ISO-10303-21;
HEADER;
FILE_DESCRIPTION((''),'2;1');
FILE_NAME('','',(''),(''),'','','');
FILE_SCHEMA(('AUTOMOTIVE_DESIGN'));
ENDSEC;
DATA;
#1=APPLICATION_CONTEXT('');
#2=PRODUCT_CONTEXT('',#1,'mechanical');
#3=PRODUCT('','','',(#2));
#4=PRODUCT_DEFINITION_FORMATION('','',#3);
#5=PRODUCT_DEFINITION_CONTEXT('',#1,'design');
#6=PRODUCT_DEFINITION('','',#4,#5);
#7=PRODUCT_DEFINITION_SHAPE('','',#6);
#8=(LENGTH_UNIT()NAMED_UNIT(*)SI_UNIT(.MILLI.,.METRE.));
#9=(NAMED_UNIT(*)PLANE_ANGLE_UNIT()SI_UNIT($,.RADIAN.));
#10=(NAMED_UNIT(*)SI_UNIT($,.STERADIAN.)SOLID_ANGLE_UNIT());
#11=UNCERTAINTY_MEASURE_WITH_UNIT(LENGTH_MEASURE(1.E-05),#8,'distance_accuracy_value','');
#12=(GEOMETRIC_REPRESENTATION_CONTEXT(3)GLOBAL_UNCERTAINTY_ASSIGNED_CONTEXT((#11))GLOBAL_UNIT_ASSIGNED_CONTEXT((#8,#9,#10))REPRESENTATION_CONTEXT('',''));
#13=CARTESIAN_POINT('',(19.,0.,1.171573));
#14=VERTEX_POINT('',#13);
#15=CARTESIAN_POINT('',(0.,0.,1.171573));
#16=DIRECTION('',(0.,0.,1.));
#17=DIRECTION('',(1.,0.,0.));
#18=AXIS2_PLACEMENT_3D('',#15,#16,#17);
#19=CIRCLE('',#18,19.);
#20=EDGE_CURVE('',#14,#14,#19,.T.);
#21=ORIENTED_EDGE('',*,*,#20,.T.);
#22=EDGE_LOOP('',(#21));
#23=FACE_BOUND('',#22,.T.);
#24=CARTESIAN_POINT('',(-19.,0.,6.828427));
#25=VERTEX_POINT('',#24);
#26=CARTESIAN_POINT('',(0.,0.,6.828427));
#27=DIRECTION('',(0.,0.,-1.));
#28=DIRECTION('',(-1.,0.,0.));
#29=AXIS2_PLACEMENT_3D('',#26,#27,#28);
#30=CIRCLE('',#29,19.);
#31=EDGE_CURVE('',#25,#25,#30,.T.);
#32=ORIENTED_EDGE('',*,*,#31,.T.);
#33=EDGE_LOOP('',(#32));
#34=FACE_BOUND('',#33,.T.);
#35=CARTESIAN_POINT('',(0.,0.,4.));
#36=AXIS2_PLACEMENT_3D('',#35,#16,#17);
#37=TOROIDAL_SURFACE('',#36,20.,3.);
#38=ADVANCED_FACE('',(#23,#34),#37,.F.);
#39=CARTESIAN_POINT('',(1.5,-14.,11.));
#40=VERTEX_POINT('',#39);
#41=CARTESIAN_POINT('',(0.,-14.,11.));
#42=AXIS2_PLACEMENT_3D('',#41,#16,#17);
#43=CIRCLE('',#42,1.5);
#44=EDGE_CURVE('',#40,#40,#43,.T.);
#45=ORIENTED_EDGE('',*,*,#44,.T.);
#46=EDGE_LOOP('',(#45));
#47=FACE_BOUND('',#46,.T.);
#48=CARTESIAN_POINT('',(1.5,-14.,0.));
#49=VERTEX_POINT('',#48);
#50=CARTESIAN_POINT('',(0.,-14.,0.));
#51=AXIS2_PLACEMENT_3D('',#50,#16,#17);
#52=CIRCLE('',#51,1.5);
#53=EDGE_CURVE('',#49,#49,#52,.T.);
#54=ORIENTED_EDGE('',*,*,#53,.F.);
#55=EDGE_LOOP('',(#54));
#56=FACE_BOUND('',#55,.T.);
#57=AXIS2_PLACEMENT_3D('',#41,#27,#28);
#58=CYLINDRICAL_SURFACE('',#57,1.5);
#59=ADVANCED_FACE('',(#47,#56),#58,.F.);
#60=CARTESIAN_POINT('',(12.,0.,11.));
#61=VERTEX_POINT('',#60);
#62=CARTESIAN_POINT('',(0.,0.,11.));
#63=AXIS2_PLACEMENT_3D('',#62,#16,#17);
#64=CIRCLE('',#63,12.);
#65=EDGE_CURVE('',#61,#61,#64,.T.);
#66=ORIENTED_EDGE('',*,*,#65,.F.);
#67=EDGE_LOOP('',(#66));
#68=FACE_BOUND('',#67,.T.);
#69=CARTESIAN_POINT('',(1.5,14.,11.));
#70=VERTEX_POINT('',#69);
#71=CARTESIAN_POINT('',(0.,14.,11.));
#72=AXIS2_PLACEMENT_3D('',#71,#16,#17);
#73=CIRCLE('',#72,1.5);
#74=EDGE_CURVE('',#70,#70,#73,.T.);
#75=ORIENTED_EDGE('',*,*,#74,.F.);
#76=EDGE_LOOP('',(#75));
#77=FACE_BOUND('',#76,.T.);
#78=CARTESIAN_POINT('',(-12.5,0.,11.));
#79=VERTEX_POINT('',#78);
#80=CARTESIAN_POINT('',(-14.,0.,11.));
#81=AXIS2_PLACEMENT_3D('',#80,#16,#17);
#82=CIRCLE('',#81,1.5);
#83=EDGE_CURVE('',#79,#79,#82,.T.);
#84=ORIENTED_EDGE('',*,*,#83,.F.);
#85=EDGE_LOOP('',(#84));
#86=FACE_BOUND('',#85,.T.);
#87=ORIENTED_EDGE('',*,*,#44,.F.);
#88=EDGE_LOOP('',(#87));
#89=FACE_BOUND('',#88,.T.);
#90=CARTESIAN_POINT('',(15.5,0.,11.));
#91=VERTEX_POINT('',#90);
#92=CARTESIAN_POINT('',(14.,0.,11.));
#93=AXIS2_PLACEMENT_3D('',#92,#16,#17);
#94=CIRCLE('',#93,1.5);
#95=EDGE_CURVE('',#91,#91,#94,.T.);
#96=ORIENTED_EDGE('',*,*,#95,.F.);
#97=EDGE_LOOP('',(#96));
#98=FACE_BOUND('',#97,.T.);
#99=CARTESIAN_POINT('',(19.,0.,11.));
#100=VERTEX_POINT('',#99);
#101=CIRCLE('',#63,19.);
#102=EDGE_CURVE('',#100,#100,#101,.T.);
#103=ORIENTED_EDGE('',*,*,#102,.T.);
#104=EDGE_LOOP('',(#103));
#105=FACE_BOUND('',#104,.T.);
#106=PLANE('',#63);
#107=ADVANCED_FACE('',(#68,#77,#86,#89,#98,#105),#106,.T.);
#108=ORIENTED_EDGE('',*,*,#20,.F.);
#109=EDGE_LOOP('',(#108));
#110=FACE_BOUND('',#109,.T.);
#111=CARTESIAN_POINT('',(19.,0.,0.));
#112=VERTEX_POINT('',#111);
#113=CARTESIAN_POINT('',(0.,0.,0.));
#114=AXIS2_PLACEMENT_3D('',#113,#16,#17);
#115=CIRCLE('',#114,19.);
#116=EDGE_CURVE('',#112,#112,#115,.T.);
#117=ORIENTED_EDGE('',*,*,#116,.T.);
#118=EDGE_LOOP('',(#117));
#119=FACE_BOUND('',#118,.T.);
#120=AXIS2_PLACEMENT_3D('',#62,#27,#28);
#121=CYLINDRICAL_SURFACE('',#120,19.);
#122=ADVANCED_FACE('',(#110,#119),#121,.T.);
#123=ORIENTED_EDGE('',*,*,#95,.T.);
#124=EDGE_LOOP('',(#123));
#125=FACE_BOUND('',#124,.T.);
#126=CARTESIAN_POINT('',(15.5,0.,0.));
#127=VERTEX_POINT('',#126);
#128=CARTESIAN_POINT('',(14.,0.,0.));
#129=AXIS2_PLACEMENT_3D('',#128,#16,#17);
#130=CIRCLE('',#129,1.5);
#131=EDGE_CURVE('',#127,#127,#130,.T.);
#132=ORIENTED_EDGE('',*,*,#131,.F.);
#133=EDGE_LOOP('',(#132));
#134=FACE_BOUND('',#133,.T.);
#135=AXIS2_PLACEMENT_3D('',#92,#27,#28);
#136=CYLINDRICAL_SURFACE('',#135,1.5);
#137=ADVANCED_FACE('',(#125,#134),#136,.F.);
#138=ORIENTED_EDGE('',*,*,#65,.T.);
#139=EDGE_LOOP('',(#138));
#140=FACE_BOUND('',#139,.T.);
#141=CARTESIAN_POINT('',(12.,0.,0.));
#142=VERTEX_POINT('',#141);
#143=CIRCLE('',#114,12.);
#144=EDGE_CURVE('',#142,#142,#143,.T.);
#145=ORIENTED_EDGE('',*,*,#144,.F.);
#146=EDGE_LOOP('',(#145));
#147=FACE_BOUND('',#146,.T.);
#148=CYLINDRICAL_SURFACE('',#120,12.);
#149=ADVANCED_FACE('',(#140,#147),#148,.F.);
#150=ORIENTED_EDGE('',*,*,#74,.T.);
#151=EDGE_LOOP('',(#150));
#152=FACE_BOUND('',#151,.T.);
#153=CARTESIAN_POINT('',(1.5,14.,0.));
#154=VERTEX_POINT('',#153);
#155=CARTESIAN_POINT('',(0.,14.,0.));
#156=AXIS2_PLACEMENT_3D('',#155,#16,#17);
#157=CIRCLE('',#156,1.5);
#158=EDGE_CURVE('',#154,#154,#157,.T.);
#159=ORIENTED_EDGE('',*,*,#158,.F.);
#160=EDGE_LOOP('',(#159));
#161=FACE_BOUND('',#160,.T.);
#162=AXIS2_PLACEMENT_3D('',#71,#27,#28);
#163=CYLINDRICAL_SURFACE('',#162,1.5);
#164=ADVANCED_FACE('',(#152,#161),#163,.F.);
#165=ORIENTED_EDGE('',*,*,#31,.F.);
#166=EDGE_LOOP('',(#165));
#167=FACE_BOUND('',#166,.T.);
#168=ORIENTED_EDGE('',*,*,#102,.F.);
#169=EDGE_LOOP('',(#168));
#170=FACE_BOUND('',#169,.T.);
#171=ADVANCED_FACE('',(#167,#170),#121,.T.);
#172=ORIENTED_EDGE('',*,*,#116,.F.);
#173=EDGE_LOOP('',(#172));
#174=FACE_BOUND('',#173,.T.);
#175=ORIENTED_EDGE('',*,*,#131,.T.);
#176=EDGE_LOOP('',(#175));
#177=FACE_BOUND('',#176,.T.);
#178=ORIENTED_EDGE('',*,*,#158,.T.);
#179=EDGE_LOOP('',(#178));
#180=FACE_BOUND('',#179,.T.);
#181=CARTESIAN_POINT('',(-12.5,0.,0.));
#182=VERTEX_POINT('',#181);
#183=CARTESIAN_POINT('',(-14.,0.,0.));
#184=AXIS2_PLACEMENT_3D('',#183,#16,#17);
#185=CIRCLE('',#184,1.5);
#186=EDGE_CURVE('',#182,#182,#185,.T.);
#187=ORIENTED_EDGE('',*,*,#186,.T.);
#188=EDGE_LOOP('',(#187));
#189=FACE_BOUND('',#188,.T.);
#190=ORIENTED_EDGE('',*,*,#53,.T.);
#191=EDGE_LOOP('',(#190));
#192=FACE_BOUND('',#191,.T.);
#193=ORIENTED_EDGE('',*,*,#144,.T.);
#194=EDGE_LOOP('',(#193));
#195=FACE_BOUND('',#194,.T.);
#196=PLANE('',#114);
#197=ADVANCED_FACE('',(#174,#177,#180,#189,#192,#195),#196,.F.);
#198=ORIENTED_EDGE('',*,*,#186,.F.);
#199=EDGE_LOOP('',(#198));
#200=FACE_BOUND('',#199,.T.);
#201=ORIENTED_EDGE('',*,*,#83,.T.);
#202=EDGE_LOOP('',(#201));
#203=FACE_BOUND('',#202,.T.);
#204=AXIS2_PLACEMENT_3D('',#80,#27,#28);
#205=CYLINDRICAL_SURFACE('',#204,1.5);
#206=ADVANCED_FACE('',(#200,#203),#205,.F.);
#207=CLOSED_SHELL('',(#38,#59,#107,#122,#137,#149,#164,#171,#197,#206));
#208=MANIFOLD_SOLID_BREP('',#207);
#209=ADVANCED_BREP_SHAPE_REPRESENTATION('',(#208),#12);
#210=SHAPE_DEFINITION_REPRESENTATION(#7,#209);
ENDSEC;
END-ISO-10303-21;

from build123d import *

# Parameters (mm, degrees)
SCHIZZO1_R                   = 19
SCHIZZO1_R_2                 = 12
SCHIZZO1_R_3                 = 1.5
ESTRUSIONE_ESTRUSIONE1_DEPTH = 11
SCHIZZO2_R                   = 3


with BuildPart() as part:
    # Schizzo1 → Estrusione-Estrusione1 (new body)
    with BuildSketch(Plane.XY):
        Circle(SCHIZZO1_R)
        Circle(SCHIZZO1_R_2, mode=Mode.SUBTRACT)
        with Locations((0, 14)):
            Circle(SCHIZZO1_R_3, mode=Mode.SUBTRACT)
        with Locations((14, 0)):
            Circle(SCHIZZO1_R_3, mode=Mode.SUBTRACT)
        with Locations((0, -14)):
            Circle(SCHIZZO1_R_3, mode=Mode.SUBTRACT)
        with Locations((-14, 0)):
            Circle(SCHIZZO1_R_3, mode=Mode.SUBTRACT)
    extrude(amount=ESTRUSIONE_ESTRUSIONE1_DEPTH)

    # Schizzo2 → Taglia-Rivoluzione1 (revolve, cut)
    with BuildSketch(Plane(origin=(0, 0, 0), x_dir=(0, 0, -1), z_dir=(1, 0, 0))):
        with Locations((-4, 20)):
            Circle(SCHIZZO2_R)
    revolve(axis=Axis((0, 0, 11), (0, 0, -1)), mode=Mode.SUBTRACT)


solid = part.part
